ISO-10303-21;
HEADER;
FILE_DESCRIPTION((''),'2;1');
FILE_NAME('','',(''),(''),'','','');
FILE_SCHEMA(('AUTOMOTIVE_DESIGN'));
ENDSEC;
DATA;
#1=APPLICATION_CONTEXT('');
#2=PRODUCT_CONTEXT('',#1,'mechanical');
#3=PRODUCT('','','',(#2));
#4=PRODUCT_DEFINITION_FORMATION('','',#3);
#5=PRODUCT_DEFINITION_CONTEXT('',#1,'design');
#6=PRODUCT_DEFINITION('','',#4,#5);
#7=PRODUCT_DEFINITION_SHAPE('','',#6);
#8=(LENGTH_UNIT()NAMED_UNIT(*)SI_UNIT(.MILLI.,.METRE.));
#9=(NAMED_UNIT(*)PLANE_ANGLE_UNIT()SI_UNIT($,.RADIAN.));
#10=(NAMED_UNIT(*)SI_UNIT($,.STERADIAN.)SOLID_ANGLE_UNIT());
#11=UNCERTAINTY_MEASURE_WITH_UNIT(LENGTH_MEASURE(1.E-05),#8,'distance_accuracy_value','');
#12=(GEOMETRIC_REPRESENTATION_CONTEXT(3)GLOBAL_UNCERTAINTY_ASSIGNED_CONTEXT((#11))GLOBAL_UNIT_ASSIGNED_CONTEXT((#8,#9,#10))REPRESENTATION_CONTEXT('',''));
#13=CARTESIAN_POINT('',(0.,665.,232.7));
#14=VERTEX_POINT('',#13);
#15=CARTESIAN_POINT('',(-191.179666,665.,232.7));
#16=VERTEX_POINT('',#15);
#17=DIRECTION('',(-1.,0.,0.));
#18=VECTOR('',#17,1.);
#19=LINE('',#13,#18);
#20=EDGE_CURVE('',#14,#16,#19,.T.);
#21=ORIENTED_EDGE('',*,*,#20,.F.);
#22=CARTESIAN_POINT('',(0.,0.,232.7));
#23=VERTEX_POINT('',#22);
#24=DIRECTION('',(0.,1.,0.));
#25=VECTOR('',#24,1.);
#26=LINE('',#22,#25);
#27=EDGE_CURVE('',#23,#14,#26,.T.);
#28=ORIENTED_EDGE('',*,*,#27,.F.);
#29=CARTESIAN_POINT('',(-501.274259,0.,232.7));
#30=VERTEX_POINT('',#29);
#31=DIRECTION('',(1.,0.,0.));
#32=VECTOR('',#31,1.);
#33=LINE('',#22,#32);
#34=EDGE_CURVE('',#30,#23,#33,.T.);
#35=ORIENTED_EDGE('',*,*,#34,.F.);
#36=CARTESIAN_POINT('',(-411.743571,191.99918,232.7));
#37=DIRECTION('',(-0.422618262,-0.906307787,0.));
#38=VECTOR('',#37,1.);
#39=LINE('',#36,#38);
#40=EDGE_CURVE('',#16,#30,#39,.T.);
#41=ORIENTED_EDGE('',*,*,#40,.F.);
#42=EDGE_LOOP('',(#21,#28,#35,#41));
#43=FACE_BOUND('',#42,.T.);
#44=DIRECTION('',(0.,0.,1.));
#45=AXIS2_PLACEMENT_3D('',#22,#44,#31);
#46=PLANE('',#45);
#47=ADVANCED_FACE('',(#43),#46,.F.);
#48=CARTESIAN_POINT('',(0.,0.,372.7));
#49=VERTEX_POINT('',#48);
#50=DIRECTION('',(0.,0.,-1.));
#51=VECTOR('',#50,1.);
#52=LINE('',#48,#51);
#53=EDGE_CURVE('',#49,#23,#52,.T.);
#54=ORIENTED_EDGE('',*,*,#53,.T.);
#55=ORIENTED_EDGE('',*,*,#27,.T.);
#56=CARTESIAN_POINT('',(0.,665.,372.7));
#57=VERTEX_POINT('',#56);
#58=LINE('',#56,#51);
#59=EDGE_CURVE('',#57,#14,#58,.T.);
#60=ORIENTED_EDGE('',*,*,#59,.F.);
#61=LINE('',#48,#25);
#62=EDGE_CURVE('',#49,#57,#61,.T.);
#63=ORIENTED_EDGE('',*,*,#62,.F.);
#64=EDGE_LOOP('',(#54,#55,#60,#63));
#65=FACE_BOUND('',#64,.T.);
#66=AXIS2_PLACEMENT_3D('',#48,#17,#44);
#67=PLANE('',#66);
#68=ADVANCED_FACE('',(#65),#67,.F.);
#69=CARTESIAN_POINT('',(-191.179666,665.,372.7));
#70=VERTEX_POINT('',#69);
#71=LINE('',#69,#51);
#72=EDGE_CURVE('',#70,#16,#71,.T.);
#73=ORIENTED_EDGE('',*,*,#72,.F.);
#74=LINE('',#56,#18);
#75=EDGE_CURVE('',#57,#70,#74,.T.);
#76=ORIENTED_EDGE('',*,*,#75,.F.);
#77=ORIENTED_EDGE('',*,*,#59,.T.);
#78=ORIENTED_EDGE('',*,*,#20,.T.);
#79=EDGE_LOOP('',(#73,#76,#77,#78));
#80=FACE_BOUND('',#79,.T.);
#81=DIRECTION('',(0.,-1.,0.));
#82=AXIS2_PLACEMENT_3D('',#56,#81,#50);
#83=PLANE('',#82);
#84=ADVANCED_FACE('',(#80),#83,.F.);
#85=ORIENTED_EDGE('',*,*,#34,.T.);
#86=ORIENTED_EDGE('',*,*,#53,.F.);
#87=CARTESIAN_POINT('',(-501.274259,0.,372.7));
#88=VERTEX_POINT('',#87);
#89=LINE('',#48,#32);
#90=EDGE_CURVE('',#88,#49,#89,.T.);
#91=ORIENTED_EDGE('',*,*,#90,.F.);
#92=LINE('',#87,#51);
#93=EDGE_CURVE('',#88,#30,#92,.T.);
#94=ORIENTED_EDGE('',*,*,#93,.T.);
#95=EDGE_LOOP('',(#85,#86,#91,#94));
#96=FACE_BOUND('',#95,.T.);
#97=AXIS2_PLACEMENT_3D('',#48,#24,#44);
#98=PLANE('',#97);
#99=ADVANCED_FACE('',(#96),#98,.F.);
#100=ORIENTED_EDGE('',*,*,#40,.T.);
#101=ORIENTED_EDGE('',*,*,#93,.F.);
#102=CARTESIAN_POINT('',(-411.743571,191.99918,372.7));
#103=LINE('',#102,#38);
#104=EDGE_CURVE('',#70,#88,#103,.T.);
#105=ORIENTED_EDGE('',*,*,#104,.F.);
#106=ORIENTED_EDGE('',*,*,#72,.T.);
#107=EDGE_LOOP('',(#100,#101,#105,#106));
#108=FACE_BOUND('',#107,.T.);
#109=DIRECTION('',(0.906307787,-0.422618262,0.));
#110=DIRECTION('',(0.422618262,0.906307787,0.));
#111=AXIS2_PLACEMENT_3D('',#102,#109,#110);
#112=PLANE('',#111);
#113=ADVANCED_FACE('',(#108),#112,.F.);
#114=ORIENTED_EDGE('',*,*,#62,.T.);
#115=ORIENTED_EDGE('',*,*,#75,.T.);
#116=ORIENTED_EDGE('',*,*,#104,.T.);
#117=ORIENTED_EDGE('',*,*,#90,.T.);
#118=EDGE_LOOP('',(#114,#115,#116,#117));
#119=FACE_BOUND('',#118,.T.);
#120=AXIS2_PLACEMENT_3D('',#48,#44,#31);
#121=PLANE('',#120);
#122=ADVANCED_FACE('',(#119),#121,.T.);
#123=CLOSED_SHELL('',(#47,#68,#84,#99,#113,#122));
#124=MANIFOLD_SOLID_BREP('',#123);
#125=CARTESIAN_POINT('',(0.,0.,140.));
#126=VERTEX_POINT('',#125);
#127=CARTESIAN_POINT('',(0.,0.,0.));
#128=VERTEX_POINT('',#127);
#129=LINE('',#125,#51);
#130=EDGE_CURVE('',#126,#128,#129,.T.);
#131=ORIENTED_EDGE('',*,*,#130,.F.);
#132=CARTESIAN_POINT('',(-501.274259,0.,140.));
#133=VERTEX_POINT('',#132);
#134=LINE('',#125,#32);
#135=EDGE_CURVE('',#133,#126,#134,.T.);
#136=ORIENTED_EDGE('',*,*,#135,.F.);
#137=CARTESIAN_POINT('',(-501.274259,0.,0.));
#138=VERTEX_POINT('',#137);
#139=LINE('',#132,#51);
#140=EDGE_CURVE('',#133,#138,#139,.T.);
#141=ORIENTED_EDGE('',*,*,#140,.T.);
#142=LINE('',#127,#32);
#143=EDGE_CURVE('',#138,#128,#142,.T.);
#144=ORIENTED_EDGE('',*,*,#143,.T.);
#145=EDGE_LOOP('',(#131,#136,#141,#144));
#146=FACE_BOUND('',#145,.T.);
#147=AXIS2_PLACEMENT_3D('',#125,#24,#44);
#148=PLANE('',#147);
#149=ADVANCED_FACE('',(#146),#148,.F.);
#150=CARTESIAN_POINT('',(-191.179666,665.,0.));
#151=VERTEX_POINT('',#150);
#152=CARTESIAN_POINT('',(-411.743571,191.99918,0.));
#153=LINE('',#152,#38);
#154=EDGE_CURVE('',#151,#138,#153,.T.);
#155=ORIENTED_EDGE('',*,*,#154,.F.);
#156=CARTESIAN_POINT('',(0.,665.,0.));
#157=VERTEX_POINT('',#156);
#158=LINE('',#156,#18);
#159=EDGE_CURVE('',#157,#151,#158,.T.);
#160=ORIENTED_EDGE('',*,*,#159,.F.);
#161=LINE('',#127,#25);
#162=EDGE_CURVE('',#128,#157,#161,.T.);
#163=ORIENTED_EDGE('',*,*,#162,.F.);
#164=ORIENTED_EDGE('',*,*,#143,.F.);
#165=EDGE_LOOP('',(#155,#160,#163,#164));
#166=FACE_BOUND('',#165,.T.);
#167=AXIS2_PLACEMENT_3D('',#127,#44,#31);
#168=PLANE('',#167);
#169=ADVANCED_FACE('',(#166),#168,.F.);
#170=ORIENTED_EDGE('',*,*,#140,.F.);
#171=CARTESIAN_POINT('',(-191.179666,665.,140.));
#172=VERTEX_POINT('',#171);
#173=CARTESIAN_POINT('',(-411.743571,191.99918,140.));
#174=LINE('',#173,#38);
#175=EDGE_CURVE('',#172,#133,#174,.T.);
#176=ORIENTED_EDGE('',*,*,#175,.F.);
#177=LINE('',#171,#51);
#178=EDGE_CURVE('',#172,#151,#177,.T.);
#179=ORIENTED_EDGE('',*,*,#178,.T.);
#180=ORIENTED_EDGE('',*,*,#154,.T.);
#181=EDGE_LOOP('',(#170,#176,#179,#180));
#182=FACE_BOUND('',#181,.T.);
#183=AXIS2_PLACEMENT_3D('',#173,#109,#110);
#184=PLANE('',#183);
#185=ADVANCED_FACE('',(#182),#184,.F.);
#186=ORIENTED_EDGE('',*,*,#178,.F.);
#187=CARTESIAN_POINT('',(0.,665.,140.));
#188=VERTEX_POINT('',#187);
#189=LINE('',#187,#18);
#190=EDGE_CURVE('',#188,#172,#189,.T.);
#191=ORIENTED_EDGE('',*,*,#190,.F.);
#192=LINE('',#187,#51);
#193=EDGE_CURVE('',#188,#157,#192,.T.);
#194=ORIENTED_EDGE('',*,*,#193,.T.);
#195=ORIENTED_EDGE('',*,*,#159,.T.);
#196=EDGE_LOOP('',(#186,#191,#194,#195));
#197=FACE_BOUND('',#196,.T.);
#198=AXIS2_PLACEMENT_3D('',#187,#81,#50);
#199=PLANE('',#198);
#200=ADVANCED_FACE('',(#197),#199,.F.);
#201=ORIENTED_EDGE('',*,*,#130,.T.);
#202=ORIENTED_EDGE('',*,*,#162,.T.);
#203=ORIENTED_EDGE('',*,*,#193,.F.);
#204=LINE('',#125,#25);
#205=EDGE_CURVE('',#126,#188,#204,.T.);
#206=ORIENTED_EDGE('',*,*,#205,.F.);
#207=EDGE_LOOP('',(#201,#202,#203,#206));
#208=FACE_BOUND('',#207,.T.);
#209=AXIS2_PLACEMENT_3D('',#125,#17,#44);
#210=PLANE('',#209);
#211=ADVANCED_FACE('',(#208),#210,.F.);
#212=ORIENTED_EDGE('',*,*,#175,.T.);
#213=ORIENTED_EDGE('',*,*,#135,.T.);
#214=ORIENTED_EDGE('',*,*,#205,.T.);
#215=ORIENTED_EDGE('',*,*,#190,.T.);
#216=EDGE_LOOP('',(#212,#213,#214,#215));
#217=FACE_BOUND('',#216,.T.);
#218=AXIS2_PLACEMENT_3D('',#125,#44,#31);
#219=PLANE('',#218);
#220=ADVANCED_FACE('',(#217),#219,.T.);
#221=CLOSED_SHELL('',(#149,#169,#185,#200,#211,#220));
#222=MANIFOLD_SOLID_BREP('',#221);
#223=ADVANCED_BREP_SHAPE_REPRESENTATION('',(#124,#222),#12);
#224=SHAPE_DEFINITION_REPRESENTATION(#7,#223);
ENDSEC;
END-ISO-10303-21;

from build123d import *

# Parameters (mm, degrees)
EXTRUDE_1_DEPTH        = 140
PATTERN_LINEAR_1_COUNT = 2
PATTERN_LINEAR_1_PITCH = 232.7


with BuildPart() as part:
    # 草图1 → 凸台-拉伸1 (new body)
    with BuildSketch(Plane.XY):
        Polygon((-150, 635), (-446.105362928, 0), (0, 0), (0, 635), align=None)
        Polygon((-150, 635), (0, 635), (0, 665), (-191.179666203, 665), (-501.274258877, 0), (-446.105362928, 0), align=None)
    extrude(amount=EXTRUDE_1_DEPTH)


with BuildPart() as pattern_linear_1_1:
    # 阵列(线性)1: pattern copy
    add(part.part.moved(Location(Vector(0, 0, 1) * (1 * PATTERN_LINEAR_1_PITCH))))


solid = Compound([part.part, pattern_linear_1_1.part])
